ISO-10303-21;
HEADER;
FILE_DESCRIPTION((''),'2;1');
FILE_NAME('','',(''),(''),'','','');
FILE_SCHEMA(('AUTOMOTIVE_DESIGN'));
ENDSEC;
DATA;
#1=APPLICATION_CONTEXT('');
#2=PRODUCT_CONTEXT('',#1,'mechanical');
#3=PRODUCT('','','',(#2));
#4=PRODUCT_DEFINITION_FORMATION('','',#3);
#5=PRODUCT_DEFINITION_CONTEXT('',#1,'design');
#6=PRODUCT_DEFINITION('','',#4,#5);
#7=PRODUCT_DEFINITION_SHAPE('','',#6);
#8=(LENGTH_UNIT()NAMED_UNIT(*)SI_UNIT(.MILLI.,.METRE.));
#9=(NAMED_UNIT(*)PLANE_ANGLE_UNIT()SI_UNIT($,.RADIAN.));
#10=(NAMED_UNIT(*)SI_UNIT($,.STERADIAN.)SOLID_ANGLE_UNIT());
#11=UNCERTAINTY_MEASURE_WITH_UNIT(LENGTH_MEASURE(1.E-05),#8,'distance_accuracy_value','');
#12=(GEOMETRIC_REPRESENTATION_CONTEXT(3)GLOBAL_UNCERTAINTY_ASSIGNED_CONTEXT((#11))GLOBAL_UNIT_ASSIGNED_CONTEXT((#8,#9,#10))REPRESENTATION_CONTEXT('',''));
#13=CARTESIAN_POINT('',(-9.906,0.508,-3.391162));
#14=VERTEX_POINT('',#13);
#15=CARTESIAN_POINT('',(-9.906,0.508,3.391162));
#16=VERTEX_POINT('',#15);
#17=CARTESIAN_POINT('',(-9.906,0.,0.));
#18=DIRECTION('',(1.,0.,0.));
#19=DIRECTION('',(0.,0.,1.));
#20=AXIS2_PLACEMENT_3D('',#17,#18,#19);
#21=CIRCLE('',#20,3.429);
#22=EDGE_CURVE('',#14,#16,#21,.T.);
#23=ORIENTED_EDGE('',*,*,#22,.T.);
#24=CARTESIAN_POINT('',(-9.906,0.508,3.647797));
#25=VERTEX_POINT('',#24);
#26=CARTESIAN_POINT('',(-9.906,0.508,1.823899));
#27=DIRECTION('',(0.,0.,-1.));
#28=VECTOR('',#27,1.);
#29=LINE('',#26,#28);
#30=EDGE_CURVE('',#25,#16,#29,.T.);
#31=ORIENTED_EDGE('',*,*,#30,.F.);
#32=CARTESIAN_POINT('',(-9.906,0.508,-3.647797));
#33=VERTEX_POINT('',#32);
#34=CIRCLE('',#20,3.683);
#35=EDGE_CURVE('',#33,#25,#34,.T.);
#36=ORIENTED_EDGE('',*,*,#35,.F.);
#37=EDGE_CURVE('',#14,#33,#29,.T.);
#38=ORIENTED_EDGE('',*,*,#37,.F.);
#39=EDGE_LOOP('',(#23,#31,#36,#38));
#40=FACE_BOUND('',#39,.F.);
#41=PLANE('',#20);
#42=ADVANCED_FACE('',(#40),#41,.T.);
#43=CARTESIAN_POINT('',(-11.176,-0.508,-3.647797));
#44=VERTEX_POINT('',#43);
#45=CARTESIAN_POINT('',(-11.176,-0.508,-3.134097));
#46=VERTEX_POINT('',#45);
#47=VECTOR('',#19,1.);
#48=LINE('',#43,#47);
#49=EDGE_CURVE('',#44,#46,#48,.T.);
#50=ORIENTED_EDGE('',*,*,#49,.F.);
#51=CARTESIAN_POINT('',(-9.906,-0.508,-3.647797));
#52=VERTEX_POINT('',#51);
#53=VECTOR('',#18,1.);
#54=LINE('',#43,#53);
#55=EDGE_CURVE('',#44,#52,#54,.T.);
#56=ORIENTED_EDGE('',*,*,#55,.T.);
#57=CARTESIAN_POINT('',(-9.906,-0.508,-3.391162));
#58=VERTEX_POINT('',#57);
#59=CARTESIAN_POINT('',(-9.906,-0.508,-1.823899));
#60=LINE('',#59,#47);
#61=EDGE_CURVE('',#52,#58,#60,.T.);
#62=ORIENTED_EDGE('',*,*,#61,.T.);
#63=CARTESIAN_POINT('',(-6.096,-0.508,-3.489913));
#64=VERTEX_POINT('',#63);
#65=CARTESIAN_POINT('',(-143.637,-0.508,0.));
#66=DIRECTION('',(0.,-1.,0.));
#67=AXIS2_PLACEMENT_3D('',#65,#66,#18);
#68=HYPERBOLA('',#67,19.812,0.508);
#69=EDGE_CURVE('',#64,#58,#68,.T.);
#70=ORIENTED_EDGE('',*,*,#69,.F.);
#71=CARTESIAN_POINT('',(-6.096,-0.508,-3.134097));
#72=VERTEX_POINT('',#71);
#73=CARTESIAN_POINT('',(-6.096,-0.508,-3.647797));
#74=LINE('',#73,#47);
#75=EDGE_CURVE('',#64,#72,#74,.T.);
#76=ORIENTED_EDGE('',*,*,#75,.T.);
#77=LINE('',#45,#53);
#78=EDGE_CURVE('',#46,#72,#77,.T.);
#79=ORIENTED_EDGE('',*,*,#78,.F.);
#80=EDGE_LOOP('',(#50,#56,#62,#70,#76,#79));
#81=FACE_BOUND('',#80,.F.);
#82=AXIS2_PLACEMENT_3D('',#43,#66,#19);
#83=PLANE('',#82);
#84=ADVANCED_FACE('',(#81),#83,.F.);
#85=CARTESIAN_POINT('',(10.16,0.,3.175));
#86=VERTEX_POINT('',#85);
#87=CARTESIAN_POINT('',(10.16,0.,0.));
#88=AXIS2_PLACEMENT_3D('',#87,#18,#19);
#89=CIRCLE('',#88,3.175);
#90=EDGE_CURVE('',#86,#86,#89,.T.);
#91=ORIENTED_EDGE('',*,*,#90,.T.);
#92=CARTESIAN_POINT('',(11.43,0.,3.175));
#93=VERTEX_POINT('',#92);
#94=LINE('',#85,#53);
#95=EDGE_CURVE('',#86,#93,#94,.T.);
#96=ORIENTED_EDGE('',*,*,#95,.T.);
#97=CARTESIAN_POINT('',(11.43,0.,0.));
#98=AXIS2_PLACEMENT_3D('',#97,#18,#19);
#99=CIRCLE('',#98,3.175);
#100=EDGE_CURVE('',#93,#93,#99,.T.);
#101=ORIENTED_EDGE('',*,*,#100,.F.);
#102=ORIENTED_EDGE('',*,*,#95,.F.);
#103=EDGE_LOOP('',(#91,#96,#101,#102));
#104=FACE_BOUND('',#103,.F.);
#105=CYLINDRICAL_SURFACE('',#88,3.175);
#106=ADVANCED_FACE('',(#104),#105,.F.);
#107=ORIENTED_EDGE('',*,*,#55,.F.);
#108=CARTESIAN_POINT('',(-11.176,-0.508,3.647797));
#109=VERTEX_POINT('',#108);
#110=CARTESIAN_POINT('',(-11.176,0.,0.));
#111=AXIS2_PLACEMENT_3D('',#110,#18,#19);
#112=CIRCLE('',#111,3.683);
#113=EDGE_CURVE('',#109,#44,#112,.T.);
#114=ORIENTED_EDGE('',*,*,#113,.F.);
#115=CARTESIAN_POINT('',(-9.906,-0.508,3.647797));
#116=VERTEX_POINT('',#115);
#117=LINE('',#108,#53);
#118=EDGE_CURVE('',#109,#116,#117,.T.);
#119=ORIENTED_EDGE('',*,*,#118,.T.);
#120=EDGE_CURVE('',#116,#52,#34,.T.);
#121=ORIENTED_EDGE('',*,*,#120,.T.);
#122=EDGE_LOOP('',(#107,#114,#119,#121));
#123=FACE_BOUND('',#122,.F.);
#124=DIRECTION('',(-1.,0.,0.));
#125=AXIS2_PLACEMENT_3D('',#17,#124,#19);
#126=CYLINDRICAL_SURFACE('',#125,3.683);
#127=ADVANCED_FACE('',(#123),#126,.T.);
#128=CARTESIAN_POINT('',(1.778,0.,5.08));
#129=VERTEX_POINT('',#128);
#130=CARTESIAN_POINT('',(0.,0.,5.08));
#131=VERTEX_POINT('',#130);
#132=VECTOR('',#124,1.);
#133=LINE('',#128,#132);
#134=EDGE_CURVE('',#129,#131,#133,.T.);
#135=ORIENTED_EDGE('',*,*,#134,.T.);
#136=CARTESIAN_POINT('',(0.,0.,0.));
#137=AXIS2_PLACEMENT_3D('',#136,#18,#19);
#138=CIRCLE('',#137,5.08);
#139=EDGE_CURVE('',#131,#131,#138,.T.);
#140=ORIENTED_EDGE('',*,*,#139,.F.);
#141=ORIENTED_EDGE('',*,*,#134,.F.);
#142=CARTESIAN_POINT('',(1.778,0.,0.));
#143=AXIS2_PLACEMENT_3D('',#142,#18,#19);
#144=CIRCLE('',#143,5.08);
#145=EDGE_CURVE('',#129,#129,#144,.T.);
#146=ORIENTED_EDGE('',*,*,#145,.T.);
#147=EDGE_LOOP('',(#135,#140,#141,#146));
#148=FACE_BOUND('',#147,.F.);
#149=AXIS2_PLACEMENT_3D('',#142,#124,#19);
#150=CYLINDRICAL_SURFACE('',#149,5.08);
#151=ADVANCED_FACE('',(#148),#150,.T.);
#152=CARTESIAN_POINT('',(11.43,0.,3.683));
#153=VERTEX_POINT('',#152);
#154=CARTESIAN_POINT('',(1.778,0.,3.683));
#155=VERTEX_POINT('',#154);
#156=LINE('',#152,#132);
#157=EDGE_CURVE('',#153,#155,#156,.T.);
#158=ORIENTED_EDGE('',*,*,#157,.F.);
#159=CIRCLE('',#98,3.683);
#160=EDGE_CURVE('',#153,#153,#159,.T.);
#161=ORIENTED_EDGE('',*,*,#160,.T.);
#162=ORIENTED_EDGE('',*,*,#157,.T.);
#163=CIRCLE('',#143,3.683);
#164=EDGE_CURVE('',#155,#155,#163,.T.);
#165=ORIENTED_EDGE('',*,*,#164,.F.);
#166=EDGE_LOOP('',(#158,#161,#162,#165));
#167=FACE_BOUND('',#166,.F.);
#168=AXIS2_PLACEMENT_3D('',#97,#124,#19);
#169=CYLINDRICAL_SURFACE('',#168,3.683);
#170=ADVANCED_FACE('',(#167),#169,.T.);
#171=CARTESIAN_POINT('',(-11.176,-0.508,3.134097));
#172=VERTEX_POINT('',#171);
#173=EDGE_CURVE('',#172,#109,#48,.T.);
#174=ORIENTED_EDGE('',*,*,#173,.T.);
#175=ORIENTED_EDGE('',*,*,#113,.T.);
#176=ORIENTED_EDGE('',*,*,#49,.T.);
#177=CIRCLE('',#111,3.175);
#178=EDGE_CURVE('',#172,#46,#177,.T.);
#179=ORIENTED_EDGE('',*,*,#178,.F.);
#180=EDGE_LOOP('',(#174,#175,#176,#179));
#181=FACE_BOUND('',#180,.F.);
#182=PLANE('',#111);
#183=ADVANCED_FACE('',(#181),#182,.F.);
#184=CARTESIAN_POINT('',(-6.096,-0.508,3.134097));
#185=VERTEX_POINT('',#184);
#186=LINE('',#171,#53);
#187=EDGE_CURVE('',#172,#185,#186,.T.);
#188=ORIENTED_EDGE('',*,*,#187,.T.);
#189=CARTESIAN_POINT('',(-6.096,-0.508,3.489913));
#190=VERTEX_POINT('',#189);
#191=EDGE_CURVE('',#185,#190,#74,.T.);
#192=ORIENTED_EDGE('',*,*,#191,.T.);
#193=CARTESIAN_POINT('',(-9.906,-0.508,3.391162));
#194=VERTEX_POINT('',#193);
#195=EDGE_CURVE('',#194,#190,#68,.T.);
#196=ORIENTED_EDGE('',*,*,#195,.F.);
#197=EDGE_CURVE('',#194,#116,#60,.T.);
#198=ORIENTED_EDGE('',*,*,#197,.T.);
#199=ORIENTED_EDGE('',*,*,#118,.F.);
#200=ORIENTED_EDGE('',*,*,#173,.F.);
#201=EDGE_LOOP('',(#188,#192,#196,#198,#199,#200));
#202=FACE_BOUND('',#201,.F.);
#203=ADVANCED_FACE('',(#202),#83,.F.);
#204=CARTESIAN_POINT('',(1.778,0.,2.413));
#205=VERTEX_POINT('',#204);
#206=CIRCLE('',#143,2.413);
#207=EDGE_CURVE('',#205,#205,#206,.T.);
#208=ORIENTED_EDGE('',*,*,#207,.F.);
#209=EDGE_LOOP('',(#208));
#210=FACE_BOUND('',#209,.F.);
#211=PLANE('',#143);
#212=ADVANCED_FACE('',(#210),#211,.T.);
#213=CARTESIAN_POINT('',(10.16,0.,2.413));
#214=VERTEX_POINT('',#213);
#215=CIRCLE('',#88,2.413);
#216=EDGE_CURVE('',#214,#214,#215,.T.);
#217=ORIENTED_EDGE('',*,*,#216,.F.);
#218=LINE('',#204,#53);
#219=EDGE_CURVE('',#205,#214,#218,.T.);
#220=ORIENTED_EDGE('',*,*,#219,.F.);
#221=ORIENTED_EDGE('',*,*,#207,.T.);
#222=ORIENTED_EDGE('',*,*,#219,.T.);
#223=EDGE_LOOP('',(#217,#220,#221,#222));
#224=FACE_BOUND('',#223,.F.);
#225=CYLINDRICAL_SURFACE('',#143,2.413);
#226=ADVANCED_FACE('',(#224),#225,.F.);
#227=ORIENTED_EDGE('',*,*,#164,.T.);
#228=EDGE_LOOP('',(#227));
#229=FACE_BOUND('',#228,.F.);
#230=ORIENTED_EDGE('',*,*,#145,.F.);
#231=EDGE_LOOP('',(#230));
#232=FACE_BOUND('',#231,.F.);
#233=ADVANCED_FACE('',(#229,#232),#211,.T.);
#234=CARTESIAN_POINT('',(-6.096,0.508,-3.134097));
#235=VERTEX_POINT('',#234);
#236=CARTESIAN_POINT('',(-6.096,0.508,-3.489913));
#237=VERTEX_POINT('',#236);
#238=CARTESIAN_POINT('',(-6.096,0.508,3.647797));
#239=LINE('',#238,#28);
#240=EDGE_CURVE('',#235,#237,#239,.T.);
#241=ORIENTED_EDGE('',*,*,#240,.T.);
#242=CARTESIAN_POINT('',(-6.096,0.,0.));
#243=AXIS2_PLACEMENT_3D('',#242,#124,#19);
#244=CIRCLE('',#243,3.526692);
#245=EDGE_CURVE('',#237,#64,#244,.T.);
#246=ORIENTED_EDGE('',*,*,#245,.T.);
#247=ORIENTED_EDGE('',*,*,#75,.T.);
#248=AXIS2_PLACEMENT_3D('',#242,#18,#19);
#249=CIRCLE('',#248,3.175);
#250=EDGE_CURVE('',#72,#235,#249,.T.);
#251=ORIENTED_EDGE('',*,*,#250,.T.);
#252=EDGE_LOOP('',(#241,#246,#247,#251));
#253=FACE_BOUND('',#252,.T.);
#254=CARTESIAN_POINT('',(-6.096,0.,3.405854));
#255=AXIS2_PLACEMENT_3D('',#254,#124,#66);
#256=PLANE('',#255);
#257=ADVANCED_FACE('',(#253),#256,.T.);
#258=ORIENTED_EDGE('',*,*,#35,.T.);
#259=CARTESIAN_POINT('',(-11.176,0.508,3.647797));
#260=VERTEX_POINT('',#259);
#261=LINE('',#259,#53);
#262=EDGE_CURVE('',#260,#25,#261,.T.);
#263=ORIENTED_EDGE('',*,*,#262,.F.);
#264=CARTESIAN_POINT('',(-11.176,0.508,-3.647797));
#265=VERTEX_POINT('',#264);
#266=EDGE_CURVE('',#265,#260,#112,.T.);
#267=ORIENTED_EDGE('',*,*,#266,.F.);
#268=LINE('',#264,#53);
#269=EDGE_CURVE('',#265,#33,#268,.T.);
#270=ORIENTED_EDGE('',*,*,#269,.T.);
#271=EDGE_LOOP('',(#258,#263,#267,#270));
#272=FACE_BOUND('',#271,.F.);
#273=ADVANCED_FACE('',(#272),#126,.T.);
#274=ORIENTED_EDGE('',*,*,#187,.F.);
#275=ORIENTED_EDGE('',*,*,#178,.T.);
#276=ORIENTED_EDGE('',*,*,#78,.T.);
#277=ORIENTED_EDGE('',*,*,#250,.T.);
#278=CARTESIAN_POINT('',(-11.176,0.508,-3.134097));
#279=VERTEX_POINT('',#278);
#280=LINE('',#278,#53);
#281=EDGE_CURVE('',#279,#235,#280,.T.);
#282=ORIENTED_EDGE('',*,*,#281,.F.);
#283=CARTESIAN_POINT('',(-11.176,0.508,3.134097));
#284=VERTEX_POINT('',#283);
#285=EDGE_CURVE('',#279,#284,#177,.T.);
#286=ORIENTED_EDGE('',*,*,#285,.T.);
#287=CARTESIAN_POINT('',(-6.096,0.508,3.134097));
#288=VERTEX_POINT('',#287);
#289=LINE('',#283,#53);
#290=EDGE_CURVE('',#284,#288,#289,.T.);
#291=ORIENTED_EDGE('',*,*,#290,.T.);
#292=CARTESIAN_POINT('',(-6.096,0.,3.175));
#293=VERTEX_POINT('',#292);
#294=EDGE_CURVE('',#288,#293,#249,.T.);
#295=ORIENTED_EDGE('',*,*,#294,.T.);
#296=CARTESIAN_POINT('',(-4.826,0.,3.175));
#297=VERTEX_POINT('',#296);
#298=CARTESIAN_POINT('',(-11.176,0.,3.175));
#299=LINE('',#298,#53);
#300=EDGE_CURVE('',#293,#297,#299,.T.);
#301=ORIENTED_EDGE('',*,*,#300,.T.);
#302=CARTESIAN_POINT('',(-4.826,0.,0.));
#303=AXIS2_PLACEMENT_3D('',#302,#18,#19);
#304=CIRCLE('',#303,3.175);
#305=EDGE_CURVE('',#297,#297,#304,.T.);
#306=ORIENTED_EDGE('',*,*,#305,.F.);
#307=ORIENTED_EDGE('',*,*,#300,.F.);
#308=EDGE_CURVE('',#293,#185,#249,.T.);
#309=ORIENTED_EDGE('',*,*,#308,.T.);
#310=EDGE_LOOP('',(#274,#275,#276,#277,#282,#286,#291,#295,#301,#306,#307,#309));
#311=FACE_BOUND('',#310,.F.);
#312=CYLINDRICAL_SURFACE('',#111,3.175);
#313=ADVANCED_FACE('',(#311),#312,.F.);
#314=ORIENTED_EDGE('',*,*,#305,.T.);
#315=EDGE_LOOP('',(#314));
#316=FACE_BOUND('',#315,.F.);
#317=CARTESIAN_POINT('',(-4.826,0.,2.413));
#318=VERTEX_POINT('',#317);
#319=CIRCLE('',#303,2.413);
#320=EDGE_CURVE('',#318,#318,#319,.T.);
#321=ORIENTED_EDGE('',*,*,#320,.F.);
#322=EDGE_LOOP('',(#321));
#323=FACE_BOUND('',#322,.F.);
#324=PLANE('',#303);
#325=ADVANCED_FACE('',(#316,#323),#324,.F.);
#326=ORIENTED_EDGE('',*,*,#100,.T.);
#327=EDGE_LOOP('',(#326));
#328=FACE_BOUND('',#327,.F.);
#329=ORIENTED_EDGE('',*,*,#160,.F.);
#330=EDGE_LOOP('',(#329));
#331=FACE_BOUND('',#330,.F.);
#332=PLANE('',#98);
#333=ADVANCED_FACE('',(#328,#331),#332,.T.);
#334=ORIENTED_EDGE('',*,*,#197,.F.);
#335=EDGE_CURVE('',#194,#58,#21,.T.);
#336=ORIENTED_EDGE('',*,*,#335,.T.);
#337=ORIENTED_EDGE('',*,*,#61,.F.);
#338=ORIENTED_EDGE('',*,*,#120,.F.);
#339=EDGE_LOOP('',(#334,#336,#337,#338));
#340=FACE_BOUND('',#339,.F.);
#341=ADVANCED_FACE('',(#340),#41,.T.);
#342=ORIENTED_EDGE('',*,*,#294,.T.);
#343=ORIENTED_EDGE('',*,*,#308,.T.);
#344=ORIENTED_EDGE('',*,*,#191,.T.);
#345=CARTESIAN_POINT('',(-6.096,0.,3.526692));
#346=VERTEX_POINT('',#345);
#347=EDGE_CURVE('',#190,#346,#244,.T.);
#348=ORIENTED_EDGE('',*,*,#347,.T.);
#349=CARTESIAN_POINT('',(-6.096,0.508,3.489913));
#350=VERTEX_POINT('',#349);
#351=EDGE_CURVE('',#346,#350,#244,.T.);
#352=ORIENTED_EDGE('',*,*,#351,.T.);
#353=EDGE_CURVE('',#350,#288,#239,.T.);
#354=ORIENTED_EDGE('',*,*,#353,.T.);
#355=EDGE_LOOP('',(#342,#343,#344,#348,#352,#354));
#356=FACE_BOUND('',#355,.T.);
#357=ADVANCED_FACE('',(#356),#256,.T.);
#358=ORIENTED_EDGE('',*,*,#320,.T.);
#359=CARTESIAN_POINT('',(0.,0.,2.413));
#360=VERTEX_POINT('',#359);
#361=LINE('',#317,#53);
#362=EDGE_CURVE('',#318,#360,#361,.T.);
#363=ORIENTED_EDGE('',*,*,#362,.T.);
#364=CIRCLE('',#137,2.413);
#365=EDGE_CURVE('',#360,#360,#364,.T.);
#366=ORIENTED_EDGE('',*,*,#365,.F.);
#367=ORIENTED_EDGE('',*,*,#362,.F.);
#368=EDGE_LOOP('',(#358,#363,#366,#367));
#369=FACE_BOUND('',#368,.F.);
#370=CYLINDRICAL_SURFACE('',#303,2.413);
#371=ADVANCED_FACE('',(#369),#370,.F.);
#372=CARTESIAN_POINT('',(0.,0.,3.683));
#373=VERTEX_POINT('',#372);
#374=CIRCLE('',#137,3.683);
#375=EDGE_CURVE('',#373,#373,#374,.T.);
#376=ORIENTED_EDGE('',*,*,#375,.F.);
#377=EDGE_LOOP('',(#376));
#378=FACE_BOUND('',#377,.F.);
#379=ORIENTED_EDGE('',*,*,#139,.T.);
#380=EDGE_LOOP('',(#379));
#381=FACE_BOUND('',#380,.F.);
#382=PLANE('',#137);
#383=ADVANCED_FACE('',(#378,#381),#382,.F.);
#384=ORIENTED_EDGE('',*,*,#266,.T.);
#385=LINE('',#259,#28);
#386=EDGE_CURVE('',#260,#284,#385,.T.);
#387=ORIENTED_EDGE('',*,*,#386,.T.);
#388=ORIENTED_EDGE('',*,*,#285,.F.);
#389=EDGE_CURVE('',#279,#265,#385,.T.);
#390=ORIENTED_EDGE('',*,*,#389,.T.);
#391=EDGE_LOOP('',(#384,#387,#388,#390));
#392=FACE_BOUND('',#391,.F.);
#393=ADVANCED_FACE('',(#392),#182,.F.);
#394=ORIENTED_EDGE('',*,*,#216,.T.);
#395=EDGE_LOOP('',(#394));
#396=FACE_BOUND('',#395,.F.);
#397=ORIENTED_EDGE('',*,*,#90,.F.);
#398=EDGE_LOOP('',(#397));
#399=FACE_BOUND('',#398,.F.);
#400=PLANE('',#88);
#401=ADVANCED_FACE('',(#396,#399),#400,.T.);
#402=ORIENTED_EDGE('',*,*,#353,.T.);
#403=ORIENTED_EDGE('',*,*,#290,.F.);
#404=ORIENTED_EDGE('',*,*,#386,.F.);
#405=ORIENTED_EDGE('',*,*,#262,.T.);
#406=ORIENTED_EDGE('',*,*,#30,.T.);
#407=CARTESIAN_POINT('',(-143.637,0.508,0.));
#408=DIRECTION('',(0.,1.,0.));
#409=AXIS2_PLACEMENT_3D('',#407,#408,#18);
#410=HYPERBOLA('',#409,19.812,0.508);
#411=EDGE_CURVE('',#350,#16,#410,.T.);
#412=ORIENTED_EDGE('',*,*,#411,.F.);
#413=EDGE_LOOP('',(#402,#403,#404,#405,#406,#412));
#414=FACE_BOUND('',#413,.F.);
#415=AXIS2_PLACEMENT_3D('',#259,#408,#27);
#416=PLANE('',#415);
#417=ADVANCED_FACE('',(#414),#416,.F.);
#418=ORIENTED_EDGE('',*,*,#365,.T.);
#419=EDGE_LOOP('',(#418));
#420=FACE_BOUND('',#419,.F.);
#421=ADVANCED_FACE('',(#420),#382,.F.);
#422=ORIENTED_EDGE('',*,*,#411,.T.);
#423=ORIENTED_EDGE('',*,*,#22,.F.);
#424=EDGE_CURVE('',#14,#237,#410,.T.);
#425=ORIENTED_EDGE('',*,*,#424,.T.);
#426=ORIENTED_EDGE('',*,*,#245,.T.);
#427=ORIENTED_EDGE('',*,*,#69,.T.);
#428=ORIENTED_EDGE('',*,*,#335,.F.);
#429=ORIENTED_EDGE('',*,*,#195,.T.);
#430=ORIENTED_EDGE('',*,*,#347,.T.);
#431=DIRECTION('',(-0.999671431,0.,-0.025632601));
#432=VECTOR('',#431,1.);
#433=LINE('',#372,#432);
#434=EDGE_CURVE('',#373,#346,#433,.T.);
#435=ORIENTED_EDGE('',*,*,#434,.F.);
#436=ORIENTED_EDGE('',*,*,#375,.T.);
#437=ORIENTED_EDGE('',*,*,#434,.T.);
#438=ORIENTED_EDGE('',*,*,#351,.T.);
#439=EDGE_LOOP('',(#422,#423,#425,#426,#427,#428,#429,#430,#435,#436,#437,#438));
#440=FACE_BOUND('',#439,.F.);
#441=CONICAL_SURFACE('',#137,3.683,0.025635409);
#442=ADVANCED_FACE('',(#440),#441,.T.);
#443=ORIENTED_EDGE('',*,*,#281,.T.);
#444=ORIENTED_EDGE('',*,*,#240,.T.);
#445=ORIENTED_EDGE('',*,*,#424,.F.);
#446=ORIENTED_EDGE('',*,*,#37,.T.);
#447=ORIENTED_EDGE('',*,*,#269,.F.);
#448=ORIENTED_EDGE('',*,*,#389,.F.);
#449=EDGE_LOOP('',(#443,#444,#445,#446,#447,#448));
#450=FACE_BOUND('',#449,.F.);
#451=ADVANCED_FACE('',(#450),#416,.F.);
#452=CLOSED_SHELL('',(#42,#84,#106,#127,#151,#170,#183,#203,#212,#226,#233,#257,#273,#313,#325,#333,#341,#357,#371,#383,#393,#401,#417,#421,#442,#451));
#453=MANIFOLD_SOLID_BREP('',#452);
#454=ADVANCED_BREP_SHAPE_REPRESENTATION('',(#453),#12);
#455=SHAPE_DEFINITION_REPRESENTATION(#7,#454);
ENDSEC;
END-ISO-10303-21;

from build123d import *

# Parameters (mm, degrees)
F3_DEPTH = 5.08


with BuildPart() as f1:
    # F0 (on Front) → F1 (revolve)
    with BuildSketch(Plane.XZ):
        Polygon((0, 2.413), (0, 0), (1.778, 0), (1.778, 2.413), (10.16, 2.413), (10.16, 3.175), (11.43, 3.175), (11.43, 3.683), (1.778, 3.683), (1.778, 5.08), (0, 5.08), (0, 3.683), (-9.906, 3.429), (-9.906, 3.683), (-11.176, 3.683), (-11.176, 3.175), (-4.826, 3.175), (-4.826, 2.413), align=None)
    revolve(axis=Axis((1.0083221515, 0, 0), (1, 0, 0)))

    # F2 (on face) → F3 (cut)
    with BuildSketch(Plane(origin=(-11.176, 0, 0), x_dir=(0, -1, 0), z_dir=(-1, 0, 0))):
        with BuildLine():
            ThreePointArc((0.508, 3.6477972806), (0, 3.683), (-0.508, 3.6477972806))
            Line((-0.508, 3.6477972806), (-0.508, 3.1340965205))
            ThreePointArc((-0.508, 3.1340965205), (0, 3.175), (0.508, 3.1340965205))
            Line((0.508, 3.1340965205), (0.508, 3.6477972806))
        make_face()
        with BuildLine():
            ThreePointArc((0.508, 3.1340965205), (0, 3.175), (-0.508, 3.1340965205))
            Line((-0.508, 3.1340965205), (-0.508, -3.1340965205))
            ThreePointArc((-0.508, -3.1340965205), (0, -3.175), (0.508, -3.1340965205))
            Line((0.508, -3.1340965205), (0.508, 3.1340965205))
        make_face()
        with BuildLine():
            Line((-0.508, -3.1340965205), (-0.508, -3.6477972806))
            ThreePointArc((-0.508, -3.6477972806), (0, -3.683), (0.508, -3.6477972806))
            Line((0.508, -3.6477972806), (0.508, -3.1340965205))
            ThreePointArc((0.508, -3.1340965205), (0, -3.175), (-0.508, -3.1340965205))
        make_face()
    extrude(amount=-F3_DEPTH, mode=Mode.SUBTRACT)


solid = f1.part
